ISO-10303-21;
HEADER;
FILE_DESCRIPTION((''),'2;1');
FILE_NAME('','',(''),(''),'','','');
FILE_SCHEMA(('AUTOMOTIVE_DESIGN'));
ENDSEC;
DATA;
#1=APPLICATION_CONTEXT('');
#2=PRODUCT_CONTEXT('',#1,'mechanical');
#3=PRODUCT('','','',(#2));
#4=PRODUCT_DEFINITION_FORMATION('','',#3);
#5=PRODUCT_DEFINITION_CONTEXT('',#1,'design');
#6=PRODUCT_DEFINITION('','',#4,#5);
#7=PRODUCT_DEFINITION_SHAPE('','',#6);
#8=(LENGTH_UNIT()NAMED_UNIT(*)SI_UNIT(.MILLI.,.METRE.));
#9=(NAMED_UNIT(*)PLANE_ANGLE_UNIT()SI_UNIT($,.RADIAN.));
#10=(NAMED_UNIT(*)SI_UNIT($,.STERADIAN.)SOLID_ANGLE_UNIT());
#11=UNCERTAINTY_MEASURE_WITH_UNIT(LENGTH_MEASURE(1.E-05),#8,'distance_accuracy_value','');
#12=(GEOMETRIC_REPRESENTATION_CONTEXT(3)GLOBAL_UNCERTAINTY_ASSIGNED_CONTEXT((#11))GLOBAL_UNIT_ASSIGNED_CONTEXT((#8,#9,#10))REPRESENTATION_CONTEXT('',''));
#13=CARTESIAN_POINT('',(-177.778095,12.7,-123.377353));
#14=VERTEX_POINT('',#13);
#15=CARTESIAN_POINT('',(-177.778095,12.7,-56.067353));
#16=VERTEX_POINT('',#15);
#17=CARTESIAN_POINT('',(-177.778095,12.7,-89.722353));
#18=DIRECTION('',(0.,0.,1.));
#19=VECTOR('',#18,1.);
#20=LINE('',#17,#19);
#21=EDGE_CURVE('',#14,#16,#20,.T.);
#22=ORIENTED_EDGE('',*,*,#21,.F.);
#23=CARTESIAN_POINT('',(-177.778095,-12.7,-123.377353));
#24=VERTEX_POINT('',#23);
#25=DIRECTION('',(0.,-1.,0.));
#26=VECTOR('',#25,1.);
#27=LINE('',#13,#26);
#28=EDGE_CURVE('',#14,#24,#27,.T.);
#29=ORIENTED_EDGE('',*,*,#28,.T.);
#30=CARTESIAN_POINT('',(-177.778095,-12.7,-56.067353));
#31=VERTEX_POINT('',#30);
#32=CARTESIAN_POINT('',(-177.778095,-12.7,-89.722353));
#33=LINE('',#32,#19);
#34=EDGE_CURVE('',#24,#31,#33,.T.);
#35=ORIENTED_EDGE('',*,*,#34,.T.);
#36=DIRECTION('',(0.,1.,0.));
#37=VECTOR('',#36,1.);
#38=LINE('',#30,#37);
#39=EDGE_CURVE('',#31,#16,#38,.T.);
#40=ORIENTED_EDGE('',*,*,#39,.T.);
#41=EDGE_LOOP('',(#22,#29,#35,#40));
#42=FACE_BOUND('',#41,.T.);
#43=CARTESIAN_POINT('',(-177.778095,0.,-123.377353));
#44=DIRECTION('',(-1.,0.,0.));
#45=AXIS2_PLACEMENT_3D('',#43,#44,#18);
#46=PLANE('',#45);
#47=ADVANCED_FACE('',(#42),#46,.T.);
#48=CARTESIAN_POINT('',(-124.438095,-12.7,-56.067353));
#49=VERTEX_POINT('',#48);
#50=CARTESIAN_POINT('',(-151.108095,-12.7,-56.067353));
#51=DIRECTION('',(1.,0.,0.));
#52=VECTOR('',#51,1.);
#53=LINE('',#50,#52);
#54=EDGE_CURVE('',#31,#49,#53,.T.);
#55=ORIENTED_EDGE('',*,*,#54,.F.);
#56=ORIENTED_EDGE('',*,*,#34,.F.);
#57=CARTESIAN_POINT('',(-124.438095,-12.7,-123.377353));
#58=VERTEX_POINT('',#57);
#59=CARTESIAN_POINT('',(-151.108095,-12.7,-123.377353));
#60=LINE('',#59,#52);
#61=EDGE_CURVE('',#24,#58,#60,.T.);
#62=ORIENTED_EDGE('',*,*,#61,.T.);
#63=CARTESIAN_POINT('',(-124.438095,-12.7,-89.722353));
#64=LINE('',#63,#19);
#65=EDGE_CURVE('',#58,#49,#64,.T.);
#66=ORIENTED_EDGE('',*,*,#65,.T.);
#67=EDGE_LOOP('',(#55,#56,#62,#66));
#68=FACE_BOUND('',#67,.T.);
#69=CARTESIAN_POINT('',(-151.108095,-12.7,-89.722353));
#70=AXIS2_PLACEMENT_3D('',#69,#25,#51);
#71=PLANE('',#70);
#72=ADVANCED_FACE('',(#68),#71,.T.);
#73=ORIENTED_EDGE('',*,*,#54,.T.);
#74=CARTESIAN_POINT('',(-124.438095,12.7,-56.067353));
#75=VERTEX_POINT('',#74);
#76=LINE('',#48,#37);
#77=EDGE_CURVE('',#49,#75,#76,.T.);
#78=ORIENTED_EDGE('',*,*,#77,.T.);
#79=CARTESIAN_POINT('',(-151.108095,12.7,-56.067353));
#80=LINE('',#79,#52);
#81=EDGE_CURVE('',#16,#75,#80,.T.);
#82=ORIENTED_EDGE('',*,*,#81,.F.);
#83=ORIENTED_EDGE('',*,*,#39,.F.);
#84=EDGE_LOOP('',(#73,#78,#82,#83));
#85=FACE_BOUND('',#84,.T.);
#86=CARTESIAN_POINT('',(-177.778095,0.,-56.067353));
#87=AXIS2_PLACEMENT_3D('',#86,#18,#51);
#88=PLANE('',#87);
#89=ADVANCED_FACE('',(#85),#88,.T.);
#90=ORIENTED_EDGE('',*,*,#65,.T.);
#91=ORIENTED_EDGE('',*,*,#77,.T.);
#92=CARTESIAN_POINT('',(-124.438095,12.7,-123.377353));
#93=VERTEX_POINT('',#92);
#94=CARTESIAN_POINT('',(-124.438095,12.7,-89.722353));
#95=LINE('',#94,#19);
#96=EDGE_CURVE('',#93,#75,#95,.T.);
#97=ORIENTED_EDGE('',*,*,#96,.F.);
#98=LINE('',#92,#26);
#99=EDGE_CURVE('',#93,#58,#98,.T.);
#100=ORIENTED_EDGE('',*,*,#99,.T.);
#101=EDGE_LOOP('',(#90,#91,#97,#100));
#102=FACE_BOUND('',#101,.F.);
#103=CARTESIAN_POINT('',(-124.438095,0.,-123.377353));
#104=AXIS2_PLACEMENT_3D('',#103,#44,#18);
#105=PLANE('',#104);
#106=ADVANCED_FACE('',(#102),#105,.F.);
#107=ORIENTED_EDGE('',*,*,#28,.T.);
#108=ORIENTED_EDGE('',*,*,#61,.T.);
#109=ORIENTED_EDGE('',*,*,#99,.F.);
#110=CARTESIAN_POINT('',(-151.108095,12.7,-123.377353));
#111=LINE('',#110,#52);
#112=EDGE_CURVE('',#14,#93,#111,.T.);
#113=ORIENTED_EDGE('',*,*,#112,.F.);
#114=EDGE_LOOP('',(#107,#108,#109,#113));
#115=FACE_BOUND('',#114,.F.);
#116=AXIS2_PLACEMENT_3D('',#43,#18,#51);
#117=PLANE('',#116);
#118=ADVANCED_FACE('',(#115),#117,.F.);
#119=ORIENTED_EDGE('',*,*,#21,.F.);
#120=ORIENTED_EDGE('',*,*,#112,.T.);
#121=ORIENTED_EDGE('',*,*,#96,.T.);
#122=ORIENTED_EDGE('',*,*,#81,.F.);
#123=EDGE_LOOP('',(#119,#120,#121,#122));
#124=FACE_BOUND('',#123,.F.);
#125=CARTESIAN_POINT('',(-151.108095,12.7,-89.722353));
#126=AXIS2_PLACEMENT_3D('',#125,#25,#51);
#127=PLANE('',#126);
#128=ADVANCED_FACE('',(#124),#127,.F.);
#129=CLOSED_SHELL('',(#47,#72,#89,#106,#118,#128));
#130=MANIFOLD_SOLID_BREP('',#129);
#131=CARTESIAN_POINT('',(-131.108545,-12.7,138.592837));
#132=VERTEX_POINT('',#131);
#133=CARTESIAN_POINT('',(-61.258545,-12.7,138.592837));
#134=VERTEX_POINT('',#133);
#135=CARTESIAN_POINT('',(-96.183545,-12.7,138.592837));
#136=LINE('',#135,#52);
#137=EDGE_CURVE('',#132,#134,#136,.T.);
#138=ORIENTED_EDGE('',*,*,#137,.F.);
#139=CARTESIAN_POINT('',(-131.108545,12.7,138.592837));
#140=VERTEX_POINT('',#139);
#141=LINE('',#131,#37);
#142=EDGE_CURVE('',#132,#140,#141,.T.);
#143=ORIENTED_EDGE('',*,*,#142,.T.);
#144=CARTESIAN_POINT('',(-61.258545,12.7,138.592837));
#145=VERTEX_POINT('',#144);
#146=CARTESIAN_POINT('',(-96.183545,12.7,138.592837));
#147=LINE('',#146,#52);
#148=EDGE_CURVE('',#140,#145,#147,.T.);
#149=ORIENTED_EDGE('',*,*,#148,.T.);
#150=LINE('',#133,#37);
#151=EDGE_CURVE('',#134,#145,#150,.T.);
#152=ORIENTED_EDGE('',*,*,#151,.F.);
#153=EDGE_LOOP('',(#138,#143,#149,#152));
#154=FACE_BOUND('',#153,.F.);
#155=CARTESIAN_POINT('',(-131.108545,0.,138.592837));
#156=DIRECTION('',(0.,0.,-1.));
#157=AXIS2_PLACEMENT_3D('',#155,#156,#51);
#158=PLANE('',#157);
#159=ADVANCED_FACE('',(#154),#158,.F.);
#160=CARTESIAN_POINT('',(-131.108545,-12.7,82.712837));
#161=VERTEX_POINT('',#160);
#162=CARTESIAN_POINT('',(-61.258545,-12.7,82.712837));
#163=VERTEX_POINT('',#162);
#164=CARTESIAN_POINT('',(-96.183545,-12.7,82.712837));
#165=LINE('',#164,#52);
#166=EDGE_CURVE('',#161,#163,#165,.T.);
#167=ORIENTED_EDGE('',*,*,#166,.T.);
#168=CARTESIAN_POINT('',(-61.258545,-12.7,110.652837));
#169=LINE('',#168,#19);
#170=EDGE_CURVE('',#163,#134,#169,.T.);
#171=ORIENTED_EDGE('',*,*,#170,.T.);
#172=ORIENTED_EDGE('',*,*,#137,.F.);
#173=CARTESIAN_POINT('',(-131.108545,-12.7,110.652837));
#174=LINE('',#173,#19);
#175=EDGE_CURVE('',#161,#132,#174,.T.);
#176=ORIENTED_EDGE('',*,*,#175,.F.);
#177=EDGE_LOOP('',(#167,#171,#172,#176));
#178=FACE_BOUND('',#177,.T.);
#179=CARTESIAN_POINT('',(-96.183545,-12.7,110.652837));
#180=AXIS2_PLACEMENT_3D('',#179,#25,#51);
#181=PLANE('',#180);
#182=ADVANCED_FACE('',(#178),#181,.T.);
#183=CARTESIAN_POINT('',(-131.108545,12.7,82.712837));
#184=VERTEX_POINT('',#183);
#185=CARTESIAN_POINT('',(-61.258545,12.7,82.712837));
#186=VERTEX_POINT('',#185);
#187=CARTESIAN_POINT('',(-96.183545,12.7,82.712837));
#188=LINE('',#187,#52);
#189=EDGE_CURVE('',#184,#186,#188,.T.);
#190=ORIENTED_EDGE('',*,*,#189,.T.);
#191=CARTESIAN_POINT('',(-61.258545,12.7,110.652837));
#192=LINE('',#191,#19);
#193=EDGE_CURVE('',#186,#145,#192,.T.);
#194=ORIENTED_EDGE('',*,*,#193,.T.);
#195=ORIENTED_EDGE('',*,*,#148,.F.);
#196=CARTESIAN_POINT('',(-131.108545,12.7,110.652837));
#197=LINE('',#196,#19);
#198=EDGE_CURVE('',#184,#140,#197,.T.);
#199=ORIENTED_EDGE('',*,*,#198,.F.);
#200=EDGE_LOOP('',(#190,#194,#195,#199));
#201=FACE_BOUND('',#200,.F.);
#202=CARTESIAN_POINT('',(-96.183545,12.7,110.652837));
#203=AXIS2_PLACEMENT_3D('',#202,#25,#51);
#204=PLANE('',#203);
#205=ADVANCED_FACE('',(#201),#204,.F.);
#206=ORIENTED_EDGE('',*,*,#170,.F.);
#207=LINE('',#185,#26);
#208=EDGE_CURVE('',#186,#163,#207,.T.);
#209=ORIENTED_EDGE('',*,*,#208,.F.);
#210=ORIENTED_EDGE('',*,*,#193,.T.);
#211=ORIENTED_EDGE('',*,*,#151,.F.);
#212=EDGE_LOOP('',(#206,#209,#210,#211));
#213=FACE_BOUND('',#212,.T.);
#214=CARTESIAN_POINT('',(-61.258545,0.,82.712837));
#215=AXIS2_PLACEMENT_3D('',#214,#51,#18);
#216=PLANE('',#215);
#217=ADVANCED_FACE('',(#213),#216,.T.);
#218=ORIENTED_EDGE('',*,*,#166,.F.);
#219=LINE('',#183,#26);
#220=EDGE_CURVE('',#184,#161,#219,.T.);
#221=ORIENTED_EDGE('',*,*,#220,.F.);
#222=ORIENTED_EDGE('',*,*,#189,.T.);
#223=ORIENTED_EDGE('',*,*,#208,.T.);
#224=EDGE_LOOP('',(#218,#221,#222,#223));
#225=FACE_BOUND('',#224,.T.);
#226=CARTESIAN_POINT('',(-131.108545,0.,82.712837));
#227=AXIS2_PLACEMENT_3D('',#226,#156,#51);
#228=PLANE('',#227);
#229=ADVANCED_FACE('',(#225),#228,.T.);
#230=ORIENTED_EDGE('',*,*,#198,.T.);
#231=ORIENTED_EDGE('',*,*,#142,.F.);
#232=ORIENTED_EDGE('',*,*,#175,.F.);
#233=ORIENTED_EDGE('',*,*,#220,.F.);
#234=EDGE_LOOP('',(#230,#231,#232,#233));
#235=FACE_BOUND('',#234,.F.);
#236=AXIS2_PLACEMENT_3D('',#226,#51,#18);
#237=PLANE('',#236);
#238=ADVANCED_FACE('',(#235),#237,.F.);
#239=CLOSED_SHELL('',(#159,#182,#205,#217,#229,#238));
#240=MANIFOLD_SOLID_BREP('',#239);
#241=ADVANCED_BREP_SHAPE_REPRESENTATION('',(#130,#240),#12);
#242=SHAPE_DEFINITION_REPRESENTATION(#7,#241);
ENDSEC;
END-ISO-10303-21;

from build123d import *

# Parameters (mm, degrees)
F0_W     = 53.34
F0_H     = 67.31
F0_W_2   = 69.85
F0_H_2   = 55.88
F1_DEPTH = 12.7


with BuildPart() as f1:
    # F0 (on Front) → F1 (new body, symmetric)
    with BuildSketch(Plane.XZ):
        with Locations((-151.108095, -89.722353)):
            Rectangle(F0_W, F0_H)
        with Locations((-96.183545, 110.652837)):
            Rectangle(F0_W_2, F0_H_2)
    extrude(amount=F1_DEPTH, both=True)


solid = f1.part
